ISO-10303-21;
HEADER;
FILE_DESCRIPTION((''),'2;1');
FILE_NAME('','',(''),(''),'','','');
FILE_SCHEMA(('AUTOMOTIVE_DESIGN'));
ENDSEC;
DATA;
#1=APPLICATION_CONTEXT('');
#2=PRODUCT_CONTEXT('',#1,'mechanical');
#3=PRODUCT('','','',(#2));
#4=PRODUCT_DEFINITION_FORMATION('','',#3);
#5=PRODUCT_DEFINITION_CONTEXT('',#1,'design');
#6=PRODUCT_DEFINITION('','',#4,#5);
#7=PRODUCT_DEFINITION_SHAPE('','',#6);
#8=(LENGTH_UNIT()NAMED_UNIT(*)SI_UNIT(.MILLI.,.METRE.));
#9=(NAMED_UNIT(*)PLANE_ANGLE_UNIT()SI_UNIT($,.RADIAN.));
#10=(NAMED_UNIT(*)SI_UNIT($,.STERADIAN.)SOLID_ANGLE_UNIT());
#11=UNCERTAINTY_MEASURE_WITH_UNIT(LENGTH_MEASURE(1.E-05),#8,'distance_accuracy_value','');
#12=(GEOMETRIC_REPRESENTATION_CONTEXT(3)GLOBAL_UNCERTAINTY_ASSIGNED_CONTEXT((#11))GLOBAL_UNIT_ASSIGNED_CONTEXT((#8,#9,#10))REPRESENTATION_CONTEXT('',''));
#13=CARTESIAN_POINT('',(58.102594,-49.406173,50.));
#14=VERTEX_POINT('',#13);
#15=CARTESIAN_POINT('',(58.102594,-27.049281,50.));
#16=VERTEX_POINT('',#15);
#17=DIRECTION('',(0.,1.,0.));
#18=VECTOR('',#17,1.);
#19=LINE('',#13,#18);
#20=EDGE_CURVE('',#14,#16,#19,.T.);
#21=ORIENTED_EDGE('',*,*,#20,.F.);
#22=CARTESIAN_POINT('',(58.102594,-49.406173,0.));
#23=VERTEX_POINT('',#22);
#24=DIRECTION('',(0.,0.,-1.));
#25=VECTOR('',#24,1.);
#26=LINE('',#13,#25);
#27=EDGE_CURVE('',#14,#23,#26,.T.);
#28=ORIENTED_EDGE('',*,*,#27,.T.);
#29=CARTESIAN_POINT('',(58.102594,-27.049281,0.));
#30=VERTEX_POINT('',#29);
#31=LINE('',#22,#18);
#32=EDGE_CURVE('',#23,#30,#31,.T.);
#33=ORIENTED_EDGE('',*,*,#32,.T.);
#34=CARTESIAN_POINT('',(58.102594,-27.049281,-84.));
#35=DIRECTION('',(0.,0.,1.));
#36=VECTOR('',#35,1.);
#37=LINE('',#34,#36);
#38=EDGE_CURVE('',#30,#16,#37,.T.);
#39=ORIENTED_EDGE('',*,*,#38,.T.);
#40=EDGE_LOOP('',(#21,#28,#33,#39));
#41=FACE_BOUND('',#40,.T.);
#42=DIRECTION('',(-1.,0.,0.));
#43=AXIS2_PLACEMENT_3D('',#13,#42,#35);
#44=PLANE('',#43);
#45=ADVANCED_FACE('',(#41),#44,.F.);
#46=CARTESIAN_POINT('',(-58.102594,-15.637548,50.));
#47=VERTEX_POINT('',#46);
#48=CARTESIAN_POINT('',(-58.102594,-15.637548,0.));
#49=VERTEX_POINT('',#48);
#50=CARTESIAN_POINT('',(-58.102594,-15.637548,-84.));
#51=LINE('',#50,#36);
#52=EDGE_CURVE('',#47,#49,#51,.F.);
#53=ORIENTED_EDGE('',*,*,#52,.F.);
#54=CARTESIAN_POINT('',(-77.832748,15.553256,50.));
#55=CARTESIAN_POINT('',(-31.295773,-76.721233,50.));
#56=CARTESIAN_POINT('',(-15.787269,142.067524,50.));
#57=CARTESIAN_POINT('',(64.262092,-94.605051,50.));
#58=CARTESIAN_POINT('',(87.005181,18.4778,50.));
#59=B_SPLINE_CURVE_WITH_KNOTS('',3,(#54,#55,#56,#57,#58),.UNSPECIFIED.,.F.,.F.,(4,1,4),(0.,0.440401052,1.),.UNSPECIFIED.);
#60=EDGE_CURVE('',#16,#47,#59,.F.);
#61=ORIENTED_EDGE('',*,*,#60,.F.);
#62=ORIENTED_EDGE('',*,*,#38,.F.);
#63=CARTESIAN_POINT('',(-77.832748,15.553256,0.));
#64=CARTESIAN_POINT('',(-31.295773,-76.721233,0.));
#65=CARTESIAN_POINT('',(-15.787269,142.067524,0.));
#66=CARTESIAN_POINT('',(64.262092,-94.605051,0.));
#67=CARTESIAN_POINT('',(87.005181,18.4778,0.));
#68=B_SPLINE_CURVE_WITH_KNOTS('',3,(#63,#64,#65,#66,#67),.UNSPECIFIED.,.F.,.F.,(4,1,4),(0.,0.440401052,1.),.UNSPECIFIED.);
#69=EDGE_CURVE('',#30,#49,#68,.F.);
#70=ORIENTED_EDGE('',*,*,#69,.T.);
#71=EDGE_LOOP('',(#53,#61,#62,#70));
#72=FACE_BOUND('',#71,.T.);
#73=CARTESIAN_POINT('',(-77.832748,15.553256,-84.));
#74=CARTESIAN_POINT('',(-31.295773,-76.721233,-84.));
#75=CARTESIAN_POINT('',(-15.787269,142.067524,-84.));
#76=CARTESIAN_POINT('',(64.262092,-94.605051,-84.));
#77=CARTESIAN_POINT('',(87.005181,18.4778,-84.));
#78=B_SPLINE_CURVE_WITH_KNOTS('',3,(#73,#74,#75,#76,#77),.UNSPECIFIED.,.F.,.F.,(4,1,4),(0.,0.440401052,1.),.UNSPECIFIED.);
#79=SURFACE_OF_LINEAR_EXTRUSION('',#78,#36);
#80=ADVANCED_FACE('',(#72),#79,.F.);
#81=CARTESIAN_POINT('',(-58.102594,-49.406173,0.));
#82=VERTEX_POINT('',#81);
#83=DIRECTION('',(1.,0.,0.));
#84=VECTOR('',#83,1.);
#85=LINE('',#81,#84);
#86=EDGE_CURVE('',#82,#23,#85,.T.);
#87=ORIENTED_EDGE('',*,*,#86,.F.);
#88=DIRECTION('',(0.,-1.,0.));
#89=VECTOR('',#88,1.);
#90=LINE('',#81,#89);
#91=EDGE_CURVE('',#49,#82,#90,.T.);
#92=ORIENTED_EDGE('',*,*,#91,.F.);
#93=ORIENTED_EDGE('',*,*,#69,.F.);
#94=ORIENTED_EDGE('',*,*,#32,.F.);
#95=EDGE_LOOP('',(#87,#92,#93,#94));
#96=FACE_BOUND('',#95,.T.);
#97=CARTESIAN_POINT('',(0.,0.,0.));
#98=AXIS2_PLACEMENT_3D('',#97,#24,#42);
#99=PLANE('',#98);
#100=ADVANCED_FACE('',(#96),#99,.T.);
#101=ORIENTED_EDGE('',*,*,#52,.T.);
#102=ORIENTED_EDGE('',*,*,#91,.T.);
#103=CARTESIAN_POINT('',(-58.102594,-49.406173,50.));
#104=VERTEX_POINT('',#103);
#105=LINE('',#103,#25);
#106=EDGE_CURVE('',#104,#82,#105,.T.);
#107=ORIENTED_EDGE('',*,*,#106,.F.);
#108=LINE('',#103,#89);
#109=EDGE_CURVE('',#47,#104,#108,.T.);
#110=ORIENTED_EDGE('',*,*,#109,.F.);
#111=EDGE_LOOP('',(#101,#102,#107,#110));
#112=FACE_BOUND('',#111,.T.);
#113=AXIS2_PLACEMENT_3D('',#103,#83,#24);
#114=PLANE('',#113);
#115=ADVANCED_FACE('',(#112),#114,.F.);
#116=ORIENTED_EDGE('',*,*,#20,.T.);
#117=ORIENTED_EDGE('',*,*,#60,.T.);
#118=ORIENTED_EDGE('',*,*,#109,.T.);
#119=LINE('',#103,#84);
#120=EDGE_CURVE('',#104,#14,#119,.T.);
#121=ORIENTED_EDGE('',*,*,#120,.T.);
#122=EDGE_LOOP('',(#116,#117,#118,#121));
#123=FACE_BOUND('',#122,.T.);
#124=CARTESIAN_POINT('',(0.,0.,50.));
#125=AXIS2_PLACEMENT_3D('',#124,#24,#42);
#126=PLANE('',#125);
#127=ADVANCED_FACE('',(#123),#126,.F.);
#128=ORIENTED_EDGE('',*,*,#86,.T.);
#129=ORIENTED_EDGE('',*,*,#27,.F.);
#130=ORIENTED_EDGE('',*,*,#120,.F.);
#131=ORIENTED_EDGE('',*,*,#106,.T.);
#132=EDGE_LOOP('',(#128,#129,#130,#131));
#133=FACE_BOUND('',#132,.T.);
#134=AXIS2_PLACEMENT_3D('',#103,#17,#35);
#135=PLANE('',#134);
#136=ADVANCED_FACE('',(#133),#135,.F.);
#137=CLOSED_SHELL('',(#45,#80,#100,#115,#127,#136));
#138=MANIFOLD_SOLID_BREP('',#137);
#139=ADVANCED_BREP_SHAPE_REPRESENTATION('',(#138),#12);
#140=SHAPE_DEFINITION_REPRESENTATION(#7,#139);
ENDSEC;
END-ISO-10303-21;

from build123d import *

# Parameters (mm, degrees)
SKETCH_1_W              = 116.205188512
SKETCH_1_H              = 98.81234538
EXTRUDE_1_DEPTH         = 50
SHEET_EXTRUDE_1_1_BACK  = 84
SHEET_EXTRUDE_1_1_DEPTH = 168


with BuildPart() as part:
    # 草图1 → 凸台-拉伸1 (new body)
    with BuildSketch(Plane.XY):
        Rectangle(SKETCH_1_W, SKETCH_1_H)
    extrude(amount=EXTRUDE_1_DEPTH)

    # Surface Cut 4: cut with a surface, the side behind it stays
    # Sheet 凸台-拉伸1: a surface, the sketch's curves swept straight by 168 mm
    with BuildLine(Plane.XY.offset(-SHEET_EXTRUDE_1_1_BACK), mode=Mode.PRIVATE) as sheet_extrude_1_1_path:
        add(Edge.make_bspline(
            [(-77.832747833, 15.553256185), (-31.295772713, -76.721233342), (-15.787269452, 142.067524092), (64.262091576, -94.605051275), (87.005180968, 18.477800083)],
            knots=[0, 0, 0, 0, 0.440401052, 1, 1, 1, 1], degree=3))
    sheet_extrude_1_1 = Shell.extrude(sheet_extrude_1_1_path.wire(), (0 * SHEET_EXTRUDE_1_1_DEPTH, 0 * SHEET_EXTRUDE_1_1_DEPTH, 1 * SHEET_EXTRUDE_1_1_DEPTH))
    split(bisect_by=sheet_extrude_1_1, keep=Keep.BOTTOM)


solid = part.part
